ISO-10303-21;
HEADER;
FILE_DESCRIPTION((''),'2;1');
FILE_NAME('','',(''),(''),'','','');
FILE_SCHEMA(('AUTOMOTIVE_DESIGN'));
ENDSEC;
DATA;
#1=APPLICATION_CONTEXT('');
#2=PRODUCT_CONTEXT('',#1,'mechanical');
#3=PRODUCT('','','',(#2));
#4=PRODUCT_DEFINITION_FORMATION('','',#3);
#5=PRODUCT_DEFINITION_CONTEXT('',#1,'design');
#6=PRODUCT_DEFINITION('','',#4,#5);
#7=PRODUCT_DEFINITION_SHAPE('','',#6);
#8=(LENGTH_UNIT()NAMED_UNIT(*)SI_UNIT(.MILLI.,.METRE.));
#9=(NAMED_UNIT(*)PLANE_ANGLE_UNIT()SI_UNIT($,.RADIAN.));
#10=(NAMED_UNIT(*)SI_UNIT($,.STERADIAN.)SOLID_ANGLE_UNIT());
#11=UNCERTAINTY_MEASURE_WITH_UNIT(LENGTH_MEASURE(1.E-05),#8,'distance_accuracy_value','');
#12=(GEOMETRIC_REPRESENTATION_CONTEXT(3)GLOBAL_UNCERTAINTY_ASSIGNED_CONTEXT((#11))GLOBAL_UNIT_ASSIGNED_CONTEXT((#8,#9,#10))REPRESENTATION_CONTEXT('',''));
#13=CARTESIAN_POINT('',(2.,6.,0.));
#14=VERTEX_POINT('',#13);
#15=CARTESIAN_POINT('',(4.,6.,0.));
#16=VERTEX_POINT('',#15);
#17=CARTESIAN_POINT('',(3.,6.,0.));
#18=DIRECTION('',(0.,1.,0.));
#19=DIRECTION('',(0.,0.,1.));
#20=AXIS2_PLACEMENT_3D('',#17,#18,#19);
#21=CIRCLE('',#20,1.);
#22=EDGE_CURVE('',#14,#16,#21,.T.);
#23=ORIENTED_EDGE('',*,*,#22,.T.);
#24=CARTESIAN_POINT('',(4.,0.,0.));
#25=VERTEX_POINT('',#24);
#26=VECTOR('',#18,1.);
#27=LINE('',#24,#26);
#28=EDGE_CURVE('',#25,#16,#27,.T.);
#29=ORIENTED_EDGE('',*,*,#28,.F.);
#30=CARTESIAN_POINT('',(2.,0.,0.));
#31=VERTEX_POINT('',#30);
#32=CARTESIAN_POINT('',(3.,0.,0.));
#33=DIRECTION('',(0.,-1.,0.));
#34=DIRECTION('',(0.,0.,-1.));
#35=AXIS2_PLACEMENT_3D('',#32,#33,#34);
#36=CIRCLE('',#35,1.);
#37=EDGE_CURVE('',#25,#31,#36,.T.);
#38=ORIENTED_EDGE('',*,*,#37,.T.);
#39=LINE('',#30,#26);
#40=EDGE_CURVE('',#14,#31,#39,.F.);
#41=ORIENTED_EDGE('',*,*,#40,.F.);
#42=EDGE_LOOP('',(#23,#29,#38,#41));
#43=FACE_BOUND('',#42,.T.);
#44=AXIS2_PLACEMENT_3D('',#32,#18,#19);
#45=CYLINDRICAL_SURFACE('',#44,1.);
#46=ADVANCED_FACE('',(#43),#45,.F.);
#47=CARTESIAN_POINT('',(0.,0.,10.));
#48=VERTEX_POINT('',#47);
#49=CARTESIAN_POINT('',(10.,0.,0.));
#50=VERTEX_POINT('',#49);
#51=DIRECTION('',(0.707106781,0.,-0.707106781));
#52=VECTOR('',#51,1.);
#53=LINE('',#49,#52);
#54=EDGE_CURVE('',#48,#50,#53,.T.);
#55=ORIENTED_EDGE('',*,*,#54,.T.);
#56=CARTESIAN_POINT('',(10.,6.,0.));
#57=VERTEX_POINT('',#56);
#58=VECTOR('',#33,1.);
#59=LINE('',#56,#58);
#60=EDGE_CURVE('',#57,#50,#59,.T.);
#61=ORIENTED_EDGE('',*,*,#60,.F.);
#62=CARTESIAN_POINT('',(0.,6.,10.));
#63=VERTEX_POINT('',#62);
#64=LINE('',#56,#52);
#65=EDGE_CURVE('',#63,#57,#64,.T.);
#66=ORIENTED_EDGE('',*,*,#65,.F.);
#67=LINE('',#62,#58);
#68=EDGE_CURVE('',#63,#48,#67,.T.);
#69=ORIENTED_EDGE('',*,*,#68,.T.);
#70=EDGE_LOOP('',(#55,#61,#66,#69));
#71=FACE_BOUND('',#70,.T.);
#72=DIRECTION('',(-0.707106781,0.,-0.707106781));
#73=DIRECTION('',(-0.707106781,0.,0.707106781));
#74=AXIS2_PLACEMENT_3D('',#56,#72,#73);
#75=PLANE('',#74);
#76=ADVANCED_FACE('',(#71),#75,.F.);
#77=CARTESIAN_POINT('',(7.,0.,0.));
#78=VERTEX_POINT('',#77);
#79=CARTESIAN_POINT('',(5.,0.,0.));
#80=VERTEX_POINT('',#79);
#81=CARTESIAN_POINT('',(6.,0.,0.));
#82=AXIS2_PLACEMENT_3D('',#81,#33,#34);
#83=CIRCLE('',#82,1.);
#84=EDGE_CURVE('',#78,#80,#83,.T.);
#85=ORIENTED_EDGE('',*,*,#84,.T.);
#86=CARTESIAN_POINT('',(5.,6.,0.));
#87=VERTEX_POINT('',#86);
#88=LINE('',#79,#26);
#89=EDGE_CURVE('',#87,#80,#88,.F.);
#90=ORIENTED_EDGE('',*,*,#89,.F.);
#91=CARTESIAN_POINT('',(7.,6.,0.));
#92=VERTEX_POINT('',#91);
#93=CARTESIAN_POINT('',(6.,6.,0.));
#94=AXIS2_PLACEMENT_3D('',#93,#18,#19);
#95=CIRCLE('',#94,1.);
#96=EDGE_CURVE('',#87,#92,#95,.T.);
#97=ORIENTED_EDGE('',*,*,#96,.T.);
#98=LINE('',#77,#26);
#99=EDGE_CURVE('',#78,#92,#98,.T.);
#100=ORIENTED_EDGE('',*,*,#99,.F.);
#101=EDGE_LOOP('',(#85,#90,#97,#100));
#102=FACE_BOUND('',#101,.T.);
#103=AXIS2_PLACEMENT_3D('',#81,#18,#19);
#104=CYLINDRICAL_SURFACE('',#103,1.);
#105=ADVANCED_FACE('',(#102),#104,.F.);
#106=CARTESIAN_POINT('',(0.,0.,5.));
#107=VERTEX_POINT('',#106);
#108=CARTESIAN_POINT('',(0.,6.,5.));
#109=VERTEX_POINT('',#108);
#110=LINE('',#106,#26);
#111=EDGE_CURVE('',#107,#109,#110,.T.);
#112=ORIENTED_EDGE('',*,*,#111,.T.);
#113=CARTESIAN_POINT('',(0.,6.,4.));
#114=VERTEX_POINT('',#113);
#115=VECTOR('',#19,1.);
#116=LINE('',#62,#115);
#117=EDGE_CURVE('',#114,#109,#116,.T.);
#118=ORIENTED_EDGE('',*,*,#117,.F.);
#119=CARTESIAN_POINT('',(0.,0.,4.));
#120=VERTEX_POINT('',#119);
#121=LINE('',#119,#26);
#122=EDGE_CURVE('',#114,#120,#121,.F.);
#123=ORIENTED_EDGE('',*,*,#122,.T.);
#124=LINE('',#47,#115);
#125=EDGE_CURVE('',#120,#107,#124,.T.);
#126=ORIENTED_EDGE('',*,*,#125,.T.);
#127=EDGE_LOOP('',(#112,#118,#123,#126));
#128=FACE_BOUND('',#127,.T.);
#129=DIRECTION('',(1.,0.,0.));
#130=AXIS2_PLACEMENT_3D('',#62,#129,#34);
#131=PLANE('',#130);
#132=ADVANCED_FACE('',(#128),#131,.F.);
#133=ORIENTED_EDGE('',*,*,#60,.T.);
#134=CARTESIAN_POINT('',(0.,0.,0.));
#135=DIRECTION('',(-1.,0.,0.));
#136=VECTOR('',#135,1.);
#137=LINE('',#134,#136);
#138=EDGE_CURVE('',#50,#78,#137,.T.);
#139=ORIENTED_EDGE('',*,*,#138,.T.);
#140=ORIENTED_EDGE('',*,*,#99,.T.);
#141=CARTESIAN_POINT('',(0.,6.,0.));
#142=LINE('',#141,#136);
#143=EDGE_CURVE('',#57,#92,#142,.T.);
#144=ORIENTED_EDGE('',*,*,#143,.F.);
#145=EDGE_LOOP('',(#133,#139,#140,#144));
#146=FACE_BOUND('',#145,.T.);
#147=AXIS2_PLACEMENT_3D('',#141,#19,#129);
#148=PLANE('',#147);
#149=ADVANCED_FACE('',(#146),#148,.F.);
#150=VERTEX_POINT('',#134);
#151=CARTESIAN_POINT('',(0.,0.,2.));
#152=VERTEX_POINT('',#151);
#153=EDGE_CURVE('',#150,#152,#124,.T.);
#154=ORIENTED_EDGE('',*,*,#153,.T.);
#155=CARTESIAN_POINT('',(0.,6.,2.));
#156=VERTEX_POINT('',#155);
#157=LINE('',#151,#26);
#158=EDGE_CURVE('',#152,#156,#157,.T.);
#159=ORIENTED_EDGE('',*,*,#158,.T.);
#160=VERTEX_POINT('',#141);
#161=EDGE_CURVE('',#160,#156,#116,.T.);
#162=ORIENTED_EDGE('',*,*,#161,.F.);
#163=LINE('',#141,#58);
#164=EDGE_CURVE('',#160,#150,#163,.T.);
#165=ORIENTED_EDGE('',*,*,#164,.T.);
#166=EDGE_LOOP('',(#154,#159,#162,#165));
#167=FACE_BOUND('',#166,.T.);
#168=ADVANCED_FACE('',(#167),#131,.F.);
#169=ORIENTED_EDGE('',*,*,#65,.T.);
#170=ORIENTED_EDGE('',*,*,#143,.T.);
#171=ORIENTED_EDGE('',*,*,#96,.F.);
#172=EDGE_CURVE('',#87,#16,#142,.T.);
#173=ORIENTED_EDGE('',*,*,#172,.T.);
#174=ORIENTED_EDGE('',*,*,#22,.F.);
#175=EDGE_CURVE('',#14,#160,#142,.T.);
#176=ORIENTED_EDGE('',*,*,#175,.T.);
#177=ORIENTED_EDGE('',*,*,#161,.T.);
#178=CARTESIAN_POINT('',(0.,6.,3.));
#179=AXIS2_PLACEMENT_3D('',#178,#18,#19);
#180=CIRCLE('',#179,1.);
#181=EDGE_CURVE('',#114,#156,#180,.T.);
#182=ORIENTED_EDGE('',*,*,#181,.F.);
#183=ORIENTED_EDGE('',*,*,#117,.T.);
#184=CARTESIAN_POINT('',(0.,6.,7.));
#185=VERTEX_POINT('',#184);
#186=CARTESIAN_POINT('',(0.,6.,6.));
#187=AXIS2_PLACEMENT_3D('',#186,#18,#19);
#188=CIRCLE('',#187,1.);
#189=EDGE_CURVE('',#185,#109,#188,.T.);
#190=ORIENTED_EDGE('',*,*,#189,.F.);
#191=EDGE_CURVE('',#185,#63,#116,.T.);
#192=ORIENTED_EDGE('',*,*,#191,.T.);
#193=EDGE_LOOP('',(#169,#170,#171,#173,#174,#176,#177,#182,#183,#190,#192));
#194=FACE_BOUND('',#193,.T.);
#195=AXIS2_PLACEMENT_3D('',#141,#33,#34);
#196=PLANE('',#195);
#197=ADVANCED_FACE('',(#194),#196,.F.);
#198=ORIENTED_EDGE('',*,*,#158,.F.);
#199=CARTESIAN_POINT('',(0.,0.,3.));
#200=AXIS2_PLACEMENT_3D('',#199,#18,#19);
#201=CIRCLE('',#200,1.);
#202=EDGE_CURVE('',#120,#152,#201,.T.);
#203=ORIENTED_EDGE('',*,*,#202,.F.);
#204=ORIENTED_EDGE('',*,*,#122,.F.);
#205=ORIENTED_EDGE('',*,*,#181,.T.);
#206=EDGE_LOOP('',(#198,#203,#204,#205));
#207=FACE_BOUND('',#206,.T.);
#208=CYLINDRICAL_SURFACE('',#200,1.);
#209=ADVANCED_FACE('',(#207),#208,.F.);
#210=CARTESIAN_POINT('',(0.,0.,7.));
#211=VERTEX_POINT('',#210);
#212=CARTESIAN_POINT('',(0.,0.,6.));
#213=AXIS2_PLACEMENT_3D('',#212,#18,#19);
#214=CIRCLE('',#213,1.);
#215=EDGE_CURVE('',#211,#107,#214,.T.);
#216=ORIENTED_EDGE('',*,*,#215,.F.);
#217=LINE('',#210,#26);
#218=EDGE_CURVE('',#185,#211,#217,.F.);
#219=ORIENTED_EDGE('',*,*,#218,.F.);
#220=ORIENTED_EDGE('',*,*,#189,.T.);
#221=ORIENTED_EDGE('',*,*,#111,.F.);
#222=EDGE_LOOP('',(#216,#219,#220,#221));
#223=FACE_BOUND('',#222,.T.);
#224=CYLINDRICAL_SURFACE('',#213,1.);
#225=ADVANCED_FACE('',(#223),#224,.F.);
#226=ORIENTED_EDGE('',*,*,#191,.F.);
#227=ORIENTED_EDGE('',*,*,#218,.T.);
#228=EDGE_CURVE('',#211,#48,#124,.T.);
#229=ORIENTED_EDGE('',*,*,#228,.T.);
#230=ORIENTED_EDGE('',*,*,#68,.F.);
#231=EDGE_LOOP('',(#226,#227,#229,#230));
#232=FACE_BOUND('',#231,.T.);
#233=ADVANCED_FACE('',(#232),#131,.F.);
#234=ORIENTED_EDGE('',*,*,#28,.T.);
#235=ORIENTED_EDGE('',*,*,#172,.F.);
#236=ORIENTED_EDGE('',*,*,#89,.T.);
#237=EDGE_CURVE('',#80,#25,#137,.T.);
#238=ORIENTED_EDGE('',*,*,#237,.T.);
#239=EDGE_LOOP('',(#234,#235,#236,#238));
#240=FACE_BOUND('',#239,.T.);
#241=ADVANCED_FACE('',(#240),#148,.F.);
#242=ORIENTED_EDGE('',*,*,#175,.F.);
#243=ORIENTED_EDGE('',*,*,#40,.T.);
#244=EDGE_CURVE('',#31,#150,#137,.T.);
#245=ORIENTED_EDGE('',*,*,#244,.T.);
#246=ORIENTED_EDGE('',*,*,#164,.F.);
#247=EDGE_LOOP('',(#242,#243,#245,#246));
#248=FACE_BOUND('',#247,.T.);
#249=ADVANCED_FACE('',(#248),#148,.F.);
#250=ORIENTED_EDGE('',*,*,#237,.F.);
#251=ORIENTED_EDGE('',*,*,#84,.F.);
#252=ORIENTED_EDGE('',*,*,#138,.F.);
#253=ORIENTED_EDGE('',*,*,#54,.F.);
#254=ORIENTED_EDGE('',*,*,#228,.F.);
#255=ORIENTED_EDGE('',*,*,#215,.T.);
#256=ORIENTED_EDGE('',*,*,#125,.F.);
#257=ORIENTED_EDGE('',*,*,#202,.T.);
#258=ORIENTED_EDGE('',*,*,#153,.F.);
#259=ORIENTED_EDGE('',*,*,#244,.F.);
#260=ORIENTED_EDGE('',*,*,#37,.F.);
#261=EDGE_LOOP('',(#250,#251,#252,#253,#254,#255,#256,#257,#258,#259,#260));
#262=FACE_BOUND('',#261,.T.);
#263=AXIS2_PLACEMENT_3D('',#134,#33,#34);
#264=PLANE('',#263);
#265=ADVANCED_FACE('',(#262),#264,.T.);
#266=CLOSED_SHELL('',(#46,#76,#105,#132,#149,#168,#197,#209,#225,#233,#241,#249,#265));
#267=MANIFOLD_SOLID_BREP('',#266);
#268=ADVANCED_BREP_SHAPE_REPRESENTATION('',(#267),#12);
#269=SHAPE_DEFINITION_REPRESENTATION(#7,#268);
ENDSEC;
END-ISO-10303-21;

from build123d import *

# Parameters (mm, degrees)
BOSS_EXTRUDE1_DEPTH = 6
SKETCH2_R           = 1
CUT_EXTRUDE1_DEPTH  = 16.362291496


with BuildPart() as part:
    # Sketch1 → Boss-Extrude1 (new body)
    with BuildSketch(Plane(origin=(0, 0, 0), x_dir=(1, 0, 0), z_dir=(0, 1, 0))):
        Polygon((0, 0), (10, 0), (0, -10), align=None)
    extrude(amount=BOSS_EXTRUDE1_DEPTH)

    # Sketch2 → Cut-Extrude1 (cut, through all)
    with BuildSketch(Plane(origin=(0, 6, 0), x_dir=(1, 0, 0), z_dir=(0, 1, 0))):
        with Locations((0, -6)):
            Circle(SKETCH2_R)
        with Locations((0, -3)):
            Circle(SKETCH2_R)
        with Locations((3, 0)):
            Circle(SKETCH2_R)
        with Locations((6, 0)):
            Circle(SKETCH2_R)
    extrude(amount=-CUT_EXTRUDE1_DEPTH, mode=Mode.SUBTRACT)


solid = part.part
